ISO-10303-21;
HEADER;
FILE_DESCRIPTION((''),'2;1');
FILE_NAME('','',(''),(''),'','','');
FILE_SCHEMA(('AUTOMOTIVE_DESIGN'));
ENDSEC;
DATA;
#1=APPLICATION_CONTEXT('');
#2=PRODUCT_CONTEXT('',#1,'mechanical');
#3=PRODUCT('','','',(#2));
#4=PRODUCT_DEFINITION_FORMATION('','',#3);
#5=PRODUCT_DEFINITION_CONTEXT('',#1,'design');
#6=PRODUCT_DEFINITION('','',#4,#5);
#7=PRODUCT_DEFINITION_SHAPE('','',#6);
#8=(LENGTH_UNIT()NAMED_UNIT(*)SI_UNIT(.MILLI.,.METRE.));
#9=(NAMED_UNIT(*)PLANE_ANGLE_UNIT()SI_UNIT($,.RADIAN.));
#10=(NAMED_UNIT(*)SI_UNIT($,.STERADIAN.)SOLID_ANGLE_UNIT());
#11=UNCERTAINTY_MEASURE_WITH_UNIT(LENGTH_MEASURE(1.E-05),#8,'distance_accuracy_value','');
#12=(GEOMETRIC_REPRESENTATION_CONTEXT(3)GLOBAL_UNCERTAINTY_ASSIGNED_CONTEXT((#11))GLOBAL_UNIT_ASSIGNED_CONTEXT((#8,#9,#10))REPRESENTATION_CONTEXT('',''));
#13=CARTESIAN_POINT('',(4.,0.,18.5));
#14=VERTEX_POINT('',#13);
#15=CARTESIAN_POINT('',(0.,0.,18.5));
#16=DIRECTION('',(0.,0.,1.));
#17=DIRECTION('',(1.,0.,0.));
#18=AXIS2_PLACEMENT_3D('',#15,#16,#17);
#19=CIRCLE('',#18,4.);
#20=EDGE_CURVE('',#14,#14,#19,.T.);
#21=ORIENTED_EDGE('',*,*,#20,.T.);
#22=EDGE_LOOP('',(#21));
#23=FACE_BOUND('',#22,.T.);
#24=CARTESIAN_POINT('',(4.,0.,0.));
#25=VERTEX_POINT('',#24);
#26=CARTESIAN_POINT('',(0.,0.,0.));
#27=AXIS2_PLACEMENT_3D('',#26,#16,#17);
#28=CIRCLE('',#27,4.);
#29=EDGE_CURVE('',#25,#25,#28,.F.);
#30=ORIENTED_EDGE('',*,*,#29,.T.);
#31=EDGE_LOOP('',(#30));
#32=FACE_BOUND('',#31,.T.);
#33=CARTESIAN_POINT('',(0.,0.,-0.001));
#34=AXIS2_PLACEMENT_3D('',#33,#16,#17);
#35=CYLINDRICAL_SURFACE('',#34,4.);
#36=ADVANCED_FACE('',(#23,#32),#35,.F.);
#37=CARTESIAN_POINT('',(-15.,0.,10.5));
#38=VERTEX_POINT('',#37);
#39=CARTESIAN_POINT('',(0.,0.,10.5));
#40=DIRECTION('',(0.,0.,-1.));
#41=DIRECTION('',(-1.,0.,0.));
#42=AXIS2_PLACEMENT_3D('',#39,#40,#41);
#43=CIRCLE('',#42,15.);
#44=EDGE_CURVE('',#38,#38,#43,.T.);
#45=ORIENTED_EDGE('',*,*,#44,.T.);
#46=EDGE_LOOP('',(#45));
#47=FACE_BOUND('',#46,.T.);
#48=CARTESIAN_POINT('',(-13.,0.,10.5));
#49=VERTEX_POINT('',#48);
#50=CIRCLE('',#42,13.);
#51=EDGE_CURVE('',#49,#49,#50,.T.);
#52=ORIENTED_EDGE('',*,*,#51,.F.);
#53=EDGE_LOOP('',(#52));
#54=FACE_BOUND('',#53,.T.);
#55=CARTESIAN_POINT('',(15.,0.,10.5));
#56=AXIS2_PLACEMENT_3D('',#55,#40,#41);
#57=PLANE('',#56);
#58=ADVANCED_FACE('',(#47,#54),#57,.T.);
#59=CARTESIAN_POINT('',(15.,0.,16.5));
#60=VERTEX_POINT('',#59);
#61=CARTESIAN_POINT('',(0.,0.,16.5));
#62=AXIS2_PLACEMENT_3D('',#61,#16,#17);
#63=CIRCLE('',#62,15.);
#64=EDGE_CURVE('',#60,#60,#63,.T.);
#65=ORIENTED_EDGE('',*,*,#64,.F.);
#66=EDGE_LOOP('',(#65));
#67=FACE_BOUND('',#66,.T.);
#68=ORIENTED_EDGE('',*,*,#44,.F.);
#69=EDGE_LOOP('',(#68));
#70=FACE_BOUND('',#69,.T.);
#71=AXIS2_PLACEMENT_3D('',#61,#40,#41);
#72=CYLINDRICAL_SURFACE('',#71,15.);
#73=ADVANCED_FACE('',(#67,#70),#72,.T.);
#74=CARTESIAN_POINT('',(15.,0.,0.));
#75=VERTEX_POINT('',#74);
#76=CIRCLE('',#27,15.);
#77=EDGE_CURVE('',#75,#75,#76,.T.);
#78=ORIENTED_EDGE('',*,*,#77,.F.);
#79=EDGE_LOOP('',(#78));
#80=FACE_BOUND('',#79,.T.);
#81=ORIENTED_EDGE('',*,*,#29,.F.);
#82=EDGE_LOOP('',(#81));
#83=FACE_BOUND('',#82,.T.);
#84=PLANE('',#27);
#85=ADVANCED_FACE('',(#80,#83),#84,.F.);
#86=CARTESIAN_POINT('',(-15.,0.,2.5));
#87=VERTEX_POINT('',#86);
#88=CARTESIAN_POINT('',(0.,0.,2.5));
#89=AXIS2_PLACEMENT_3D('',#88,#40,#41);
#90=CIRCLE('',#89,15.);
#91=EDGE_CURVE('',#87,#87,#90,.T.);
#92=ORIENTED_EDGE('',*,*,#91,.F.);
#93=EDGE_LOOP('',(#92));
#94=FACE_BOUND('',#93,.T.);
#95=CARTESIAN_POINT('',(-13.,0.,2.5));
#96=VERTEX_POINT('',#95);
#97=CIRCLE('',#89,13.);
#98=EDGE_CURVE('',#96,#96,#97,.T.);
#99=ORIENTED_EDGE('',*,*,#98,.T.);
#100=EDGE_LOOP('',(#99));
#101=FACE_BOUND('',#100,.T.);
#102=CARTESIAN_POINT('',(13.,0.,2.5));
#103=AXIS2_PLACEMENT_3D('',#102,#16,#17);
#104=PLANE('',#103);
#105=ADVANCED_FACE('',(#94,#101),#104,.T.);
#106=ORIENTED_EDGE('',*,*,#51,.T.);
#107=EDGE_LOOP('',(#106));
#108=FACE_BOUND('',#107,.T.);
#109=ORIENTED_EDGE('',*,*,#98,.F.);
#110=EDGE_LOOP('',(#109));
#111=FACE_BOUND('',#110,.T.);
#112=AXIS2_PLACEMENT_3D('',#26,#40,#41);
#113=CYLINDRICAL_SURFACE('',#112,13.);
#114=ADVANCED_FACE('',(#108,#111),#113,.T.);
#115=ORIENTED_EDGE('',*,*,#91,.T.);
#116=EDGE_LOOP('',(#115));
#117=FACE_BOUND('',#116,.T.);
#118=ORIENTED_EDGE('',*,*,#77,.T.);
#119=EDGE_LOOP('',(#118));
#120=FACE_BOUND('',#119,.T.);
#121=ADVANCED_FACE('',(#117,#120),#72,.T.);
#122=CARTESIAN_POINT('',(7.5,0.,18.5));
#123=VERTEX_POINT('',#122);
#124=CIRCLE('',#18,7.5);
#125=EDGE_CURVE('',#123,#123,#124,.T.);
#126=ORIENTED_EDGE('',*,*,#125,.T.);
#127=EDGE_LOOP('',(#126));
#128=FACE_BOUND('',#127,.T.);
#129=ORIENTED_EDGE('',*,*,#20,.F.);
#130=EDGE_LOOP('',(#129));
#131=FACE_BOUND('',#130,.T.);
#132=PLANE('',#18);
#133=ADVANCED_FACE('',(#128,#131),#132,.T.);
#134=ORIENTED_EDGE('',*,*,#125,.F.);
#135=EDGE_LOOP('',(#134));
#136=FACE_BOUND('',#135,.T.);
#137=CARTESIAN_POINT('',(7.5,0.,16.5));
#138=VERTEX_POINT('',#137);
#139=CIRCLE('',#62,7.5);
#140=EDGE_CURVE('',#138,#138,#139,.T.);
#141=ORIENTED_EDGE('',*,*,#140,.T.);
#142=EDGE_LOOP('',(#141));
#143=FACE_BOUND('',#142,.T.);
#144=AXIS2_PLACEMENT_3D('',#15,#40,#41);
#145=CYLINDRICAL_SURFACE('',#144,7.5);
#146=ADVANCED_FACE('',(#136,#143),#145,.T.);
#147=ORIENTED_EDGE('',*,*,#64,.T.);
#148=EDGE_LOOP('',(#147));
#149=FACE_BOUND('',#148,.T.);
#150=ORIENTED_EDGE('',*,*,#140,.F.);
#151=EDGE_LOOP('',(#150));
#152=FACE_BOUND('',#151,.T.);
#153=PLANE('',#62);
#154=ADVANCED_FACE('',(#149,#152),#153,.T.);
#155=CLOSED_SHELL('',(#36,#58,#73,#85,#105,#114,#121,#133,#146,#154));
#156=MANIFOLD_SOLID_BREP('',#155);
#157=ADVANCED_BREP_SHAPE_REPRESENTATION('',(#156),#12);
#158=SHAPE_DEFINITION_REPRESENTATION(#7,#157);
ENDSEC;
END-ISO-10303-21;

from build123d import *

# Parameters (mm, degrees)
SKIZZE1_R                       = 15
AUFSATZ_LINEAR_AUSTRAGEN1_DEPTH = 16.5
SCHNITT_LINEAR_AUSTRAGEN1_REACH = 28.875
SKIZZE2_R                       = 4
AUFSATZ_LINEAR_START            = 2
SKIZZE4_R                       = 7.5
SKIZZE4_R_2                     = 4
AUFSATZ_LINEAR_AUSTRAGEN2_DEPTH = 2
SKIZZE3_W                       = 2
SKIZZE3_H                       = 8


with BuildPart() as part:
    # Skizze1 → Aufsatz-Linear austragen1 (new body)
    with BuildSketch(Plane(origin=(0, 0, 0), x_dir=(0, 1, 0), z_dir=(0, 0, 1))):
        with Locations(Location((0, 0, 0), (0, 0, 270))):
            Circle(SKIZZE1_R)
    extrude(amount=AUFSATZ_LINEAR_AUSTRAGEN1_DEPTH)

    # Skizze2 → Schnitt-Linear austragen1 (cut, up to next)
    with BuildSketch(Plane.XY.offset(16.5), mode=Mode.PRIVATE) as schnitt_linear_austragen1_sk1:
        Circle(SKIZZE2_R)
    schnitt_linear_austragen1_tool1 = extrude(schnitt_linear_austragen1_sk1.sketch, amount=-SCHNITT_LINEAR_AUSTRAGEN1_REACH, mode=Mode.PRIVATE) & part.part
    add(schnitt_linear_austragen1_tool1.solids().sort_by_distance((0, 0, 16.5))[0], mode=Mode.SUBTRACT)

    # Skizze4 → Aufsatz-Linear austragen2 (add)
    with BuildSketch(Plane.XY.offset(16.5).offset(AUFSATZ_LINEAR_START)):
        Circle(SKIZZE4_R)
        Circle(SKIZZE4_R_2, mode=Mode.SUBTRACT)
    extrude(amount=-AUFSATZ_LINEAR_AUSTRAGEN2_DEPTH)

    # Skizze3 → Schnitt-Rotation1 (revolve, cut)
    with BuildSketch(Plane(origin=(0, 0, 0), x_dir=(-1, 0, 0), z_dir=(0, 1, 0)), mode=Mode.PRIVATE) as schnitt_rotation1_sk:
        with Locations((-14, 6.5)):
            Rectangle(SKIZZE3_W, SKIZZE3_H)
    revolve(schnitt_rotation1_sk.sketch.rotate(Axis((0, 0, 0), (0, 0, 1)), 180), axis=Axis((0, 0, 0), (0, 0, 1)), mode=Mode.SUBTRACT)


solid = part.part
